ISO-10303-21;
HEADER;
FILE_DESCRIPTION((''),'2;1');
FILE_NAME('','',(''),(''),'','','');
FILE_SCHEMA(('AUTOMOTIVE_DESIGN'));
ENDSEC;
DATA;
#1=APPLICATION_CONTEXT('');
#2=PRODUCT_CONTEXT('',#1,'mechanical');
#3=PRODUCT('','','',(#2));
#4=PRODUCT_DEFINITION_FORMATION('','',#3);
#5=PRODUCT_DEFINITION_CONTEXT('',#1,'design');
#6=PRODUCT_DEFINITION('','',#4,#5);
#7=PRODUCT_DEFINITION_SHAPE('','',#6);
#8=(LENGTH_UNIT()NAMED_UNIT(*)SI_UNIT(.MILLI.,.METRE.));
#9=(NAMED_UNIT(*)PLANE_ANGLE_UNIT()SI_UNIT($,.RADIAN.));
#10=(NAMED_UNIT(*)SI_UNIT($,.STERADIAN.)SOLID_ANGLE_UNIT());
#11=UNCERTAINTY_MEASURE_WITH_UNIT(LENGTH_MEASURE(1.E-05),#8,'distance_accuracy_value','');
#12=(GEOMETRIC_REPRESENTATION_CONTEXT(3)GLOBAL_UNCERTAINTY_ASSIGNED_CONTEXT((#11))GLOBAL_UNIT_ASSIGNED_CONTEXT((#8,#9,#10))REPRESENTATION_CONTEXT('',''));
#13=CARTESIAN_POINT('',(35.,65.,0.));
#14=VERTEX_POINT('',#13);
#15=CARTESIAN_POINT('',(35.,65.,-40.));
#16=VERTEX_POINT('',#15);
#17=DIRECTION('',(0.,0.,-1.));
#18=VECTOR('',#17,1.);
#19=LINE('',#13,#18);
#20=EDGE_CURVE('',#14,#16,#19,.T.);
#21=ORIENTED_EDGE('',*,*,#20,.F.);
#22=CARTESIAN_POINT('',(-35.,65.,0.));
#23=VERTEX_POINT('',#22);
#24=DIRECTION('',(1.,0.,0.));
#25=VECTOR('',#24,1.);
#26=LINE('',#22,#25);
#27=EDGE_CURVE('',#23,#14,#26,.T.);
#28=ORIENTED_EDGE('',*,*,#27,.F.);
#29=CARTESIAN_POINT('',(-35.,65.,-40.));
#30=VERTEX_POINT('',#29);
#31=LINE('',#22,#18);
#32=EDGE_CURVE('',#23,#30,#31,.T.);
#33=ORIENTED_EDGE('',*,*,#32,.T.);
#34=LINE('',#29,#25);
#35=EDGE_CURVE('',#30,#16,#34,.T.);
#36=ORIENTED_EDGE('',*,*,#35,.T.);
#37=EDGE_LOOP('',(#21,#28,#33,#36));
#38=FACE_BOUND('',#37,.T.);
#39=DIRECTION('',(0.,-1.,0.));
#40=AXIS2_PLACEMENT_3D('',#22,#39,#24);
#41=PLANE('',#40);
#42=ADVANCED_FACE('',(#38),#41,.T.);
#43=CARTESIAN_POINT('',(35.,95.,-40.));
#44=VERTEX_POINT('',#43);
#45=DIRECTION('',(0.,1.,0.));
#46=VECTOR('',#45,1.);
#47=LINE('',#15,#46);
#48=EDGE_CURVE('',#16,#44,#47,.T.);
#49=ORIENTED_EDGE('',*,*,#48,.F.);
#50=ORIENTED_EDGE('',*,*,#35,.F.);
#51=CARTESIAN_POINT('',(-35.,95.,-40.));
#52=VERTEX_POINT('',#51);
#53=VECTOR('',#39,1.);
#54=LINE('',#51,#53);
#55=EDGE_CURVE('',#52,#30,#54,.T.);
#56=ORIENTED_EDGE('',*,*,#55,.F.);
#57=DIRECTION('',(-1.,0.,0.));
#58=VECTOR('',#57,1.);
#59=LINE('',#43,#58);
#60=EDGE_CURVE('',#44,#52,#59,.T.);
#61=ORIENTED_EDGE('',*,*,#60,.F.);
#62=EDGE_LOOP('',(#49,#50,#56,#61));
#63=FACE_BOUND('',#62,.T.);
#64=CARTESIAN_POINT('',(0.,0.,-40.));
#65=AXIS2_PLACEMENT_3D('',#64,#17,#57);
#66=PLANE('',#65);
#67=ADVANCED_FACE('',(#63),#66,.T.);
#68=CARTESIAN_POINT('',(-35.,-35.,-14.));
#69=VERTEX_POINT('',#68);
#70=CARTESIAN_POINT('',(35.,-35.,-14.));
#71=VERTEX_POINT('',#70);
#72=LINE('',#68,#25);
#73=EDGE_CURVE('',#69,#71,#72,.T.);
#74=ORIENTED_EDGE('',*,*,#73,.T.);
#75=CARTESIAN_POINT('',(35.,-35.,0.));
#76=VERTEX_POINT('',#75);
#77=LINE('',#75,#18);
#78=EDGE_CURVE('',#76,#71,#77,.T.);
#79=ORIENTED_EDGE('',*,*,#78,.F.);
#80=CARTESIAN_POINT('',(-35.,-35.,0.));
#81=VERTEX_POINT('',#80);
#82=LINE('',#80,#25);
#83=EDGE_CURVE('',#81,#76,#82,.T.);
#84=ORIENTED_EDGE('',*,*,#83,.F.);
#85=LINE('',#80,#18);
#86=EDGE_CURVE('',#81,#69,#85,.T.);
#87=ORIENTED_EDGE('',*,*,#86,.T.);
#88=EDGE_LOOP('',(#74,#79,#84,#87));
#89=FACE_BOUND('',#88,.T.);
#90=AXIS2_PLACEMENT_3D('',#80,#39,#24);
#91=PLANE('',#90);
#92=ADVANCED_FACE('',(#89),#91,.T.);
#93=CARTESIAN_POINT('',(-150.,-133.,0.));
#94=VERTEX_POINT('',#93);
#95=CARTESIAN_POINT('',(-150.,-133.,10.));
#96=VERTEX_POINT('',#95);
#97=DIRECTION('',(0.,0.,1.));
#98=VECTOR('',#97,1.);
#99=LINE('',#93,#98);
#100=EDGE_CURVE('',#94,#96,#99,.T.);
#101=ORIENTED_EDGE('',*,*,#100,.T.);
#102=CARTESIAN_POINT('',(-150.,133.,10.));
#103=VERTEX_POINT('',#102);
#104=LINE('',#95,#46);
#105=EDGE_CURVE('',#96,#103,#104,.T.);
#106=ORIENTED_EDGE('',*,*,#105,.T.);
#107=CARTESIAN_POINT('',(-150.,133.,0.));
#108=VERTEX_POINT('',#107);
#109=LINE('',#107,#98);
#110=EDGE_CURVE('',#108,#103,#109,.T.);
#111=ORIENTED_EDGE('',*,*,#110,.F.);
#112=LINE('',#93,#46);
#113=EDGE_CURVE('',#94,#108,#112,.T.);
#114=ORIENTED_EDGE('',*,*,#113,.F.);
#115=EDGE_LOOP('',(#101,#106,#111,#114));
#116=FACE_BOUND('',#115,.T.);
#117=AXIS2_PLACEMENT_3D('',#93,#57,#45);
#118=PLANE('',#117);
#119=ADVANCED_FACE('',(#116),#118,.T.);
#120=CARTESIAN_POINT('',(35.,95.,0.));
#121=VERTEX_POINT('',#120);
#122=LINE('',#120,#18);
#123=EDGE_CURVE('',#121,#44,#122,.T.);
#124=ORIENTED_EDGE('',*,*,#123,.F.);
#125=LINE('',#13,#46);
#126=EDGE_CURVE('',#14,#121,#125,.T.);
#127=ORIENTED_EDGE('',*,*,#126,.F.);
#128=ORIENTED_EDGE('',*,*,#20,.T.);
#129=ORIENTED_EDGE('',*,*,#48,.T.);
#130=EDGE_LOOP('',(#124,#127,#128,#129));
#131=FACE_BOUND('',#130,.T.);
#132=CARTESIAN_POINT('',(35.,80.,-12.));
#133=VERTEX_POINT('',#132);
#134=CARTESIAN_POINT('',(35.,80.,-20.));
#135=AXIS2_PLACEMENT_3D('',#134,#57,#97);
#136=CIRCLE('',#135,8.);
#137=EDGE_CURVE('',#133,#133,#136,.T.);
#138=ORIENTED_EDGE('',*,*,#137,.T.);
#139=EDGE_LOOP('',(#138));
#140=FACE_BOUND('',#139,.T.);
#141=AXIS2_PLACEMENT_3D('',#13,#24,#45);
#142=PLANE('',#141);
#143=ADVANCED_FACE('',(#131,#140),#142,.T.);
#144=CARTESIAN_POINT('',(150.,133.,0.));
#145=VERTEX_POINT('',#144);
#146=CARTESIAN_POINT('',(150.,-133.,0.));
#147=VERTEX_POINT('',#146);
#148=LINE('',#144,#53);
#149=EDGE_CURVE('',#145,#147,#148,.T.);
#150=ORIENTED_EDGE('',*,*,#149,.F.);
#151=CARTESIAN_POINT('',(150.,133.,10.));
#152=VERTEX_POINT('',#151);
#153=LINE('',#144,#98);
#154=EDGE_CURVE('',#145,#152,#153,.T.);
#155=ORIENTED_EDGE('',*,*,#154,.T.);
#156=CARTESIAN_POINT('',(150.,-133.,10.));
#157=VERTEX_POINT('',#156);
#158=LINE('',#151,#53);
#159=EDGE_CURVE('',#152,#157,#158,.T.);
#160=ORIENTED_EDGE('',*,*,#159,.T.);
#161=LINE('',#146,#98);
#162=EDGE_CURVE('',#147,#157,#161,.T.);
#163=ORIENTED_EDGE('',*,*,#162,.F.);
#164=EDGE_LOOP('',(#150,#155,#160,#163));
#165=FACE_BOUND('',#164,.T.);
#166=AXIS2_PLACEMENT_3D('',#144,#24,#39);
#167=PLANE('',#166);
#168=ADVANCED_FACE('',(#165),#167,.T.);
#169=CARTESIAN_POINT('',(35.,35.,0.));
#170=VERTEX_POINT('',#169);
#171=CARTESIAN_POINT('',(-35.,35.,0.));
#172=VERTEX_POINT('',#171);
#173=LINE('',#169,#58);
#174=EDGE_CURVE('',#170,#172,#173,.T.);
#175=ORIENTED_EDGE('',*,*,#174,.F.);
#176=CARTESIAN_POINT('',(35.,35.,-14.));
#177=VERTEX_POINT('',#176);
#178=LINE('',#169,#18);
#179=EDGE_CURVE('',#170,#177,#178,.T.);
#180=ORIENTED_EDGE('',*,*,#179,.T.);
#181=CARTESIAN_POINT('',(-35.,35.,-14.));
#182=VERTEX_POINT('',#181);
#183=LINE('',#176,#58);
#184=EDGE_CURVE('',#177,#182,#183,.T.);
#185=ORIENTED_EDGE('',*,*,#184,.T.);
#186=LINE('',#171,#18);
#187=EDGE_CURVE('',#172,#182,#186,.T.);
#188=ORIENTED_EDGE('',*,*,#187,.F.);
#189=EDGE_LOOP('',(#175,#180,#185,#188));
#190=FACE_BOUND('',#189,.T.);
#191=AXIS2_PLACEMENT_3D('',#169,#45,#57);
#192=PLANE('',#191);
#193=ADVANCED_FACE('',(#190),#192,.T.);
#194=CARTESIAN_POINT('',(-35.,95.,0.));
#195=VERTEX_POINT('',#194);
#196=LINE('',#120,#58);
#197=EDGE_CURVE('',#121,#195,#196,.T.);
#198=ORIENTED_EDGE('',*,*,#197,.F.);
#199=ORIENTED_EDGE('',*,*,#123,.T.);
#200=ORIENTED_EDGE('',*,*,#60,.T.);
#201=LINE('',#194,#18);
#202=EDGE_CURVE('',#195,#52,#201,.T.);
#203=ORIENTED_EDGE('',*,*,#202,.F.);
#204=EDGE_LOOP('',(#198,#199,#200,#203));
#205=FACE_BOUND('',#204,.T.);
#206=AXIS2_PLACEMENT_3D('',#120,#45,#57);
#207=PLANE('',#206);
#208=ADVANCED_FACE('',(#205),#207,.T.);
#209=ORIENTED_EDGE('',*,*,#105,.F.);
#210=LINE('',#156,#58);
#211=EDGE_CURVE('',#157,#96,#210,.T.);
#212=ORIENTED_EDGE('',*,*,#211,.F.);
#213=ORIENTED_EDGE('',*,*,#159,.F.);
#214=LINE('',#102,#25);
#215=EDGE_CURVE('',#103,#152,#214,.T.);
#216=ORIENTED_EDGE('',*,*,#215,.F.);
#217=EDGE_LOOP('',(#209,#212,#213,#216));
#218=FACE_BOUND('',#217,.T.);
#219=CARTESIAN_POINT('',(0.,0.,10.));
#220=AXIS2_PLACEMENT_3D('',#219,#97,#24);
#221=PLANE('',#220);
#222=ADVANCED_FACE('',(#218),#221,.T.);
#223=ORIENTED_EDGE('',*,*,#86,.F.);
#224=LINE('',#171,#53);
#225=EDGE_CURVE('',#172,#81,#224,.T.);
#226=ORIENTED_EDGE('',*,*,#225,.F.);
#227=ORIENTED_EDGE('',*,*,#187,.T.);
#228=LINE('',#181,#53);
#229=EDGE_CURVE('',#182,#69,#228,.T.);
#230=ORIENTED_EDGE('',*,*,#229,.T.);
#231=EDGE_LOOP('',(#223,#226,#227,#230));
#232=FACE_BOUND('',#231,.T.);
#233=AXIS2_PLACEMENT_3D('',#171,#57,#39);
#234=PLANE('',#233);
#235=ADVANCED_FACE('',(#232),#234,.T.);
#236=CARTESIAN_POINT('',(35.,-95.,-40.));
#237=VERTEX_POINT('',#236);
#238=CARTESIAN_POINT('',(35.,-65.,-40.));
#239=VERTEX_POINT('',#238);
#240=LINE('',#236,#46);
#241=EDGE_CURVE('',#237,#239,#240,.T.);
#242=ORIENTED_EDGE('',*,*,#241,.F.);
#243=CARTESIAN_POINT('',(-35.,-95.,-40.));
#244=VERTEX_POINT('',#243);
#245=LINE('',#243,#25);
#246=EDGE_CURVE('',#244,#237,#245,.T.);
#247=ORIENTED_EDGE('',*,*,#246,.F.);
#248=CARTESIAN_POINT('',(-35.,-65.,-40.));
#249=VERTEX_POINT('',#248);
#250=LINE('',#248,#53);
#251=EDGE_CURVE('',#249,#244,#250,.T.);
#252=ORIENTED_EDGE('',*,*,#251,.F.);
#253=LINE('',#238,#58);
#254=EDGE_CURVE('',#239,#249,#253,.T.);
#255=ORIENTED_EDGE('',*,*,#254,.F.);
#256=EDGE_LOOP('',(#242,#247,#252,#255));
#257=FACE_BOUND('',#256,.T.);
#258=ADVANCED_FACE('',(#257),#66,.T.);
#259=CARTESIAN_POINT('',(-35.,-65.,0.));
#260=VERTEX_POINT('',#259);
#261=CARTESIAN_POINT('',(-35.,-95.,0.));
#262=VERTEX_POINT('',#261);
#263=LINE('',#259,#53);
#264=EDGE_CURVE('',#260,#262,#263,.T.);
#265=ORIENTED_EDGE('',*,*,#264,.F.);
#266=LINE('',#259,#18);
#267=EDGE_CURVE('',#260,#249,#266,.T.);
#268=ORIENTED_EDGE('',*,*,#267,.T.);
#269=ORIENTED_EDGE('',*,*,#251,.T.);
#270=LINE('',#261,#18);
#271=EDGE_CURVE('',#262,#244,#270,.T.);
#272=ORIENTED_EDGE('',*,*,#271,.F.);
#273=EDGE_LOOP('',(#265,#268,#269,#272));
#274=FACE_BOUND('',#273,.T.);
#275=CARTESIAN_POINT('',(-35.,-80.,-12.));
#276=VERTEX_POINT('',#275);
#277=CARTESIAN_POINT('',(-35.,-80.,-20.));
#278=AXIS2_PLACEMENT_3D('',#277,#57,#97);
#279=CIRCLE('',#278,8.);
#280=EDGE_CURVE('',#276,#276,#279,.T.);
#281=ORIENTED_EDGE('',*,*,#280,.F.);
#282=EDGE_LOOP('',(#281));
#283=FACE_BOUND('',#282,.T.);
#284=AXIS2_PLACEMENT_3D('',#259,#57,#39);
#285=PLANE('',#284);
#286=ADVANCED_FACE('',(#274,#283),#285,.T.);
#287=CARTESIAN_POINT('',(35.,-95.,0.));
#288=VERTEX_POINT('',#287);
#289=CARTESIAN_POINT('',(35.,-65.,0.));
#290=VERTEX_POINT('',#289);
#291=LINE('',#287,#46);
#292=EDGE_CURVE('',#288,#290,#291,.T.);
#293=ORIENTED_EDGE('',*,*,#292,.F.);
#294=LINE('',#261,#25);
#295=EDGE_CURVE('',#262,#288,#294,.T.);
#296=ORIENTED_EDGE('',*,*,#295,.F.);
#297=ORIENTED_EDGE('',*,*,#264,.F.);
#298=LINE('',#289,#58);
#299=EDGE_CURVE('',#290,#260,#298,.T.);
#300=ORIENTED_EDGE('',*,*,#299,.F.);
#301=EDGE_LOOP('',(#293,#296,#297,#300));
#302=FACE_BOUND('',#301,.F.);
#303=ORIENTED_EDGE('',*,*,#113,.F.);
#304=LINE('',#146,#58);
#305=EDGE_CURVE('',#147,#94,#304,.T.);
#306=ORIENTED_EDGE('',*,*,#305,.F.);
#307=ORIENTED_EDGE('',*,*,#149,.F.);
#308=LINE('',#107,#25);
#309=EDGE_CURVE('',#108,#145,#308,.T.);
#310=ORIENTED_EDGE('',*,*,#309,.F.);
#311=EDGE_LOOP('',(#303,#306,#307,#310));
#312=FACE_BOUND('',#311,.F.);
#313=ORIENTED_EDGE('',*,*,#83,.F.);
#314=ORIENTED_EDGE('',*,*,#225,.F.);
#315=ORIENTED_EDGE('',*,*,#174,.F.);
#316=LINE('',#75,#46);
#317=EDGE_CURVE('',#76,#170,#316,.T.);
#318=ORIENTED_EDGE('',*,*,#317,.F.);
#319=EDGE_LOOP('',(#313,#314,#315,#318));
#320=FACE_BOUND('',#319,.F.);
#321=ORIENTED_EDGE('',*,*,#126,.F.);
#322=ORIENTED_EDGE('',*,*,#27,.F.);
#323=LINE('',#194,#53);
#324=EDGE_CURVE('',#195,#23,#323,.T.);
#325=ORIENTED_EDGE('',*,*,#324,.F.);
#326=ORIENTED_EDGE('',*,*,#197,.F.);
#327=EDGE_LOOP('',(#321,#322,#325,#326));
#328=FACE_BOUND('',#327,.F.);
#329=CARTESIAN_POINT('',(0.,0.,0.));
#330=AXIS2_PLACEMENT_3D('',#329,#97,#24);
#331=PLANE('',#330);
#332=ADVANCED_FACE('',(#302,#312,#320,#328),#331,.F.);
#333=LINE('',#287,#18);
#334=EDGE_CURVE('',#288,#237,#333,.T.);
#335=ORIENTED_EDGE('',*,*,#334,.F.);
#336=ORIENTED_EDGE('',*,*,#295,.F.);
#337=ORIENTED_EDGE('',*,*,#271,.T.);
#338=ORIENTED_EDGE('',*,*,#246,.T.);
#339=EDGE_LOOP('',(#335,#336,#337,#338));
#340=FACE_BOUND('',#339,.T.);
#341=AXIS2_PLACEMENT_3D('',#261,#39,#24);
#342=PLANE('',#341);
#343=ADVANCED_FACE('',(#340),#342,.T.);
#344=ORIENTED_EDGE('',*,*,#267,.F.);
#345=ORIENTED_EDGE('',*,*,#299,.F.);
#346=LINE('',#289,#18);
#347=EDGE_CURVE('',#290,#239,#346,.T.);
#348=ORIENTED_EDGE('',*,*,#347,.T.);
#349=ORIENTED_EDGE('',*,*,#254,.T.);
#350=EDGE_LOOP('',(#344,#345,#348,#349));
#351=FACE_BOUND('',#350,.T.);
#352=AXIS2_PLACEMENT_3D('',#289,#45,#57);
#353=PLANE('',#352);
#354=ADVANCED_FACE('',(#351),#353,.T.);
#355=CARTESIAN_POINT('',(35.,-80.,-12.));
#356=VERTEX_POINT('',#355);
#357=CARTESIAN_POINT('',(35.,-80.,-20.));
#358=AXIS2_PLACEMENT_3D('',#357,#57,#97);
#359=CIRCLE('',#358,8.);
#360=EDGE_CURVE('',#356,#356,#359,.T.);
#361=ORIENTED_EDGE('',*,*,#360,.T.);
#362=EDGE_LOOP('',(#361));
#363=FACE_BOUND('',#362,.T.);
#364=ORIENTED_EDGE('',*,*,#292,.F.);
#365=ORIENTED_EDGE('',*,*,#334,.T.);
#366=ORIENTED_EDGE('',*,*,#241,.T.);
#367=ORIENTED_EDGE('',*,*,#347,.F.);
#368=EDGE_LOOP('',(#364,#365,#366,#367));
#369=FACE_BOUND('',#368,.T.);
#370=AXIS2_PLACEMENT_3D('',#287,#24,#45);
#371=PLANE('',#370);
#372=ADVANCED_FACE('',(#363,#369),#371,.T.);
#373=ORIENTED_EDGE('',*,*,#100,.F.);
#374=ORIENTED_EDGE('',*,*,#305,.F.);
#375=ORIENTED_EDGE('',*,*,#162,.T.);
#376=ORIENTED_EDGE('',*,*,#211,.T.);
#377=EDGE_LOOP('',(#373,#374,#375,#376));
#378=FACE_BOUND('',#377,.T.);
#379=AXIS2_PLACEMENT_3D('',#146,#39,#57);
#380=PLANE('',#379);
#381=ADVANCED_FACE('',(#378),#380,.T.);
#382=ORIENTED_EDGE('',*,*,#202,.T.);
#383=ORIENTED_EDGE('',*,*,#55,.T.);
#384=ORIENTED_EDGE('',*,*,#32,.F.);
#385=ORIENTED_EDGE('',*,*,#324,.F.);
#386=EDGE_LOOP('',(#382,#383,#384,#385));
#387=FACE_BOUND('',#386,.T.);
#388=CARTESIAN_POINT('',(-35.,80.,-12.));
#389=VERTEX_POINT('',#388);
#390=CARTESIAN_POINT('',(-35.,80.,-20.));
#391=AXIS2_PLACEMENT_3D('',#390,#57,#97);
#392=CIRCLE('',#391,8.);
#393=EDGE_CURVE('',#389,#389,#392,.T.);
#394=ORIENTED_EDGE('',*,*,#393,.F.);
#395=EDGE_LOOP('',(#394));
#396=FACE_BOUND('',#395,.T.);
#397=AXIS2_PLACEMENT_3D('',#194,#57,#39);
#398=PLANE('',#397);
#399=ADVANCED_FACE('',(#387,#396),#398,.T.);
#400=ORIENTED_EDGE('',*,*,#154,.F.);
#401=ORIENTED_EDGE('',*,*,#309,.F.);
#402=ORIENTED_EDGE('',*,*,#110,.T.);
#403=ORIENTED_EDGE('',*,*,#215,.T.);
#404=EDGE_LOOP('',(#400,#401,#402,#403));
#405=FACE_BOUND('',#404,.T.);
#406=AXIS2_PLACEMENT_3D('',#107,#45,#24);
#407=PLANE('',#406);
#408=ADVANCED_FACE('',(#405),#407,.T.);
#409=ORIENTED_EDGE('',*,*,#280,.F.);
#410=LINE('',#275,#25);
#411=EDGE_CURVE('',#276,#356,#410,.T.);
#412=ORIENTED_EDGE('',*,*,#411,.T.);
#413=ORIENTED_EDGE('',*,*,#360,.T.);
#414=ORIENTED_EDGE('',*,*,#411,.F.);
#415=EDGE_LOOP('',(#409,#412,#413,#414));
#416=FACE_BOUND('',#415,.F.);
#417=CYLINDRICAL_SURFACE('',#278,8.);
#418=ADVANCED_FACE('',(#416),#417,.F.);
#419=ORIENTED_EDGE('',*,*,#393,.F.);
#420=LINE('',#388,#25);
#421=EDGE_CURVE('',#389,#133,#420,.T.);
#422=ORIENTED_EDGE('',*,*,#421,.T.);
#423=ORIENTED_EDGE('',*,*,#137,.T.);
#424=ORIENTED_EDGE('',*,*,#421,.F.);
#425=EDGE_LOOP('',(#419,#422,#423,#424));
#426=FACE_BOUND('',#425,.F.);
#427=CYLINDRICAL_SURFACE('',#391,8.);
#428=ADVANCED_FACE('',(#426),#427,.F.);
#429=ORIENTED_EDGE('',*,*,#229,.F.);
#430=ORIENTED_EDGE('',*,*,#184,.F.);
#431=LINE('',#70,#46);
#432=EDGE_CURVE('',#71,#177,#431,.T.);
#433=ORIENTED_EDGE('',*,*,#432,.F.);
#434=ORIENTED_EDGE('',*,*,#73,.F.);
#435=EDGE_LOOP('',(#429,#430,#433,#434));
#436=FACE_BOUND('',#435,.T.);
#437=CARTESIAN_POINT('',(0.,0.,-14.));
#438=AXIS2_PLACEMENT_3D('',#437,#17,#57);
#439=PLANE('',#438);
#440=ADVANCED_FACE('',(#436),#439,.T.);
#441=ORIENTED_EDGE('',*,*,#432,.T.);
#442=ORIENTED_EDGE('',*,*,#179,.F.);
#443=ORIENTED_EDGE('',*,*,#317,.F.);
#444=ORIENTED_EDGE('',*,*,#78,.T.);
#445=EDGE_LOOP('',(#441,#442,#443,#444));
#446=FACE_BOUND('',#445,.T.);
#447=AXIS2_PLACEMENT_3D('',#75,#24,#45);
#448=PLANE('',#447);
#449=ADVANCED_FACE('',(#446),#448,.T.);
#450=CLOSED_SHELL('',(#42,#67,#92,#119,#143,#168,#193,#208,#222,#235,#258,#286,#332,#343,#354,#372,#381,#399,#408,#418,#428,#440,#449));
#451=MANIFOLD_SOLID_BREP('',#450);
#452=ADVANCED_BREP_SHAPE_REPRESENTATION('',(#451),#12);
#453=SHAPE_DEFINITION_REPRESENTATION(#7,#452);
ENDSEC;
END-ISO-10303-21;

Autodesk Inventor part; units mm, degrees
ref_plane "YZ Plane" through (0, 0, 0) normal (1, 0, 0) x (0, 1, 0)
ref_plane "XZ Plane" through (0, 0, 0) normal (0, 1, 0) x (-1, 0, 0)
ref_plane "XY Plane" through (0, 0, 0) normal (0, 0, 1) x (1, 0, 0)
sketch "Sketch1" plane through (0, 0, 0) normal (0, 0, 1) x (1, 0, 0)
  line L0 (150, -133) -> (-150, -133)
  line L1 (-150, -133) -> (-150, 133)
  line L2 (-150, 133) -> (150, 133)
  line L3 (150, 133) -> (150, -133)
  line L4 (0, 0) -> (0, 81.3474)
  line L5 (0, 0) -> (80.8517, 0)
  point P0 (0, 133)
  point P1 (150, 0)
  dimension "d0" = 300
  dimension "d1" = 266
extrude "Extrusion1" add sketch "Sketch1" along normal blind 10
sketch "Sketch2" plane through (0, 0, 0) normal (0, 0, -1) x (-1, 0, 0)
  line L0 (35, -35) -> (-35, -35)
  line L1 (-35, -35) -> (-35, 35)
  line L2 (-35, 35) -> (35, 35)
  line L3 (35, 35) -> (35, -35)
  line L4 (0, 0) -> (0, 15.9444)
  line L5 (0, 0) -> (16.1389, 0)
  line L6 (35, -95) -> (-35, -95)
  line L7 (-35, -95) -> (-35, -65)
  line L8 (-35, -65) -> (35, -65)
  line L9 (35, -65) -> (35, -95)
  line L10 (35, 65) -> (-35, 65)
  line L11 (-35, 65) -> (-35, 95)
  line L12 (-35, 95) -> (35, 95)
  line L13 (35, 95) -> (35, 65)
  point P0 (0, 35)
  point P1 (35, 0)
  dimension "d4" = 70
  dimension "d7" = 70
  dimension "d8" = 30
  dimension "d9" = 30
  dimension "d10" = 30
  dimension "d11" = 30
extrude "Extrusion2" add sketch "Sketch2" along normal blind 14 contours L0 L1 L2 L3
extrude "Extrusion3" add sketch "Sketch2" along normal blind 40 contours L6 L7 L8 L9 | L10 L11 L12 L13
sketch "Sketch3" plane through (-35, 65, 0) normal (-1, 0, 0) x (0, 0, 1)
  line L0 (0, 30) -> (-40, 30) projected
  line L1 (-40, 0) -> (-40, 30) projected
  circle A0 centre (-20, 15) radius 8
  point P0 (0, -65)
  dimension "d14" = 16
  dimension "d15" = 15
  dimension "d16" = 20
extrude "Extrusion4" cut sketch "Sketch3" against normal through all
sketch "Sketch4" plane through (-35, -95, 0) normal (-1, 0, 0) x (0, 0, 1)
  line L0 (0, 30) -> (-40, 30) projected
  line L1 (-40, 0) -> (-40, 30) projected
  circle A0 centre (-20, 15) radius 8
  point P0 (0, 95)
  dimension "d19" = 16
  dimension "d20" = 15
  dimension "d21" = 20
extrude "Extrusion5" cut sketch "Sketch4" against normal through all
thread "Thread1" size "M16x2" class "6H" standard "ANSI Metric M Profile" full length
thread "Thread2" size "M16x2" class "6H" standard "ANSI Metric M Profile" full length
properties part number "Plate" material "Wood (Walnut)"
